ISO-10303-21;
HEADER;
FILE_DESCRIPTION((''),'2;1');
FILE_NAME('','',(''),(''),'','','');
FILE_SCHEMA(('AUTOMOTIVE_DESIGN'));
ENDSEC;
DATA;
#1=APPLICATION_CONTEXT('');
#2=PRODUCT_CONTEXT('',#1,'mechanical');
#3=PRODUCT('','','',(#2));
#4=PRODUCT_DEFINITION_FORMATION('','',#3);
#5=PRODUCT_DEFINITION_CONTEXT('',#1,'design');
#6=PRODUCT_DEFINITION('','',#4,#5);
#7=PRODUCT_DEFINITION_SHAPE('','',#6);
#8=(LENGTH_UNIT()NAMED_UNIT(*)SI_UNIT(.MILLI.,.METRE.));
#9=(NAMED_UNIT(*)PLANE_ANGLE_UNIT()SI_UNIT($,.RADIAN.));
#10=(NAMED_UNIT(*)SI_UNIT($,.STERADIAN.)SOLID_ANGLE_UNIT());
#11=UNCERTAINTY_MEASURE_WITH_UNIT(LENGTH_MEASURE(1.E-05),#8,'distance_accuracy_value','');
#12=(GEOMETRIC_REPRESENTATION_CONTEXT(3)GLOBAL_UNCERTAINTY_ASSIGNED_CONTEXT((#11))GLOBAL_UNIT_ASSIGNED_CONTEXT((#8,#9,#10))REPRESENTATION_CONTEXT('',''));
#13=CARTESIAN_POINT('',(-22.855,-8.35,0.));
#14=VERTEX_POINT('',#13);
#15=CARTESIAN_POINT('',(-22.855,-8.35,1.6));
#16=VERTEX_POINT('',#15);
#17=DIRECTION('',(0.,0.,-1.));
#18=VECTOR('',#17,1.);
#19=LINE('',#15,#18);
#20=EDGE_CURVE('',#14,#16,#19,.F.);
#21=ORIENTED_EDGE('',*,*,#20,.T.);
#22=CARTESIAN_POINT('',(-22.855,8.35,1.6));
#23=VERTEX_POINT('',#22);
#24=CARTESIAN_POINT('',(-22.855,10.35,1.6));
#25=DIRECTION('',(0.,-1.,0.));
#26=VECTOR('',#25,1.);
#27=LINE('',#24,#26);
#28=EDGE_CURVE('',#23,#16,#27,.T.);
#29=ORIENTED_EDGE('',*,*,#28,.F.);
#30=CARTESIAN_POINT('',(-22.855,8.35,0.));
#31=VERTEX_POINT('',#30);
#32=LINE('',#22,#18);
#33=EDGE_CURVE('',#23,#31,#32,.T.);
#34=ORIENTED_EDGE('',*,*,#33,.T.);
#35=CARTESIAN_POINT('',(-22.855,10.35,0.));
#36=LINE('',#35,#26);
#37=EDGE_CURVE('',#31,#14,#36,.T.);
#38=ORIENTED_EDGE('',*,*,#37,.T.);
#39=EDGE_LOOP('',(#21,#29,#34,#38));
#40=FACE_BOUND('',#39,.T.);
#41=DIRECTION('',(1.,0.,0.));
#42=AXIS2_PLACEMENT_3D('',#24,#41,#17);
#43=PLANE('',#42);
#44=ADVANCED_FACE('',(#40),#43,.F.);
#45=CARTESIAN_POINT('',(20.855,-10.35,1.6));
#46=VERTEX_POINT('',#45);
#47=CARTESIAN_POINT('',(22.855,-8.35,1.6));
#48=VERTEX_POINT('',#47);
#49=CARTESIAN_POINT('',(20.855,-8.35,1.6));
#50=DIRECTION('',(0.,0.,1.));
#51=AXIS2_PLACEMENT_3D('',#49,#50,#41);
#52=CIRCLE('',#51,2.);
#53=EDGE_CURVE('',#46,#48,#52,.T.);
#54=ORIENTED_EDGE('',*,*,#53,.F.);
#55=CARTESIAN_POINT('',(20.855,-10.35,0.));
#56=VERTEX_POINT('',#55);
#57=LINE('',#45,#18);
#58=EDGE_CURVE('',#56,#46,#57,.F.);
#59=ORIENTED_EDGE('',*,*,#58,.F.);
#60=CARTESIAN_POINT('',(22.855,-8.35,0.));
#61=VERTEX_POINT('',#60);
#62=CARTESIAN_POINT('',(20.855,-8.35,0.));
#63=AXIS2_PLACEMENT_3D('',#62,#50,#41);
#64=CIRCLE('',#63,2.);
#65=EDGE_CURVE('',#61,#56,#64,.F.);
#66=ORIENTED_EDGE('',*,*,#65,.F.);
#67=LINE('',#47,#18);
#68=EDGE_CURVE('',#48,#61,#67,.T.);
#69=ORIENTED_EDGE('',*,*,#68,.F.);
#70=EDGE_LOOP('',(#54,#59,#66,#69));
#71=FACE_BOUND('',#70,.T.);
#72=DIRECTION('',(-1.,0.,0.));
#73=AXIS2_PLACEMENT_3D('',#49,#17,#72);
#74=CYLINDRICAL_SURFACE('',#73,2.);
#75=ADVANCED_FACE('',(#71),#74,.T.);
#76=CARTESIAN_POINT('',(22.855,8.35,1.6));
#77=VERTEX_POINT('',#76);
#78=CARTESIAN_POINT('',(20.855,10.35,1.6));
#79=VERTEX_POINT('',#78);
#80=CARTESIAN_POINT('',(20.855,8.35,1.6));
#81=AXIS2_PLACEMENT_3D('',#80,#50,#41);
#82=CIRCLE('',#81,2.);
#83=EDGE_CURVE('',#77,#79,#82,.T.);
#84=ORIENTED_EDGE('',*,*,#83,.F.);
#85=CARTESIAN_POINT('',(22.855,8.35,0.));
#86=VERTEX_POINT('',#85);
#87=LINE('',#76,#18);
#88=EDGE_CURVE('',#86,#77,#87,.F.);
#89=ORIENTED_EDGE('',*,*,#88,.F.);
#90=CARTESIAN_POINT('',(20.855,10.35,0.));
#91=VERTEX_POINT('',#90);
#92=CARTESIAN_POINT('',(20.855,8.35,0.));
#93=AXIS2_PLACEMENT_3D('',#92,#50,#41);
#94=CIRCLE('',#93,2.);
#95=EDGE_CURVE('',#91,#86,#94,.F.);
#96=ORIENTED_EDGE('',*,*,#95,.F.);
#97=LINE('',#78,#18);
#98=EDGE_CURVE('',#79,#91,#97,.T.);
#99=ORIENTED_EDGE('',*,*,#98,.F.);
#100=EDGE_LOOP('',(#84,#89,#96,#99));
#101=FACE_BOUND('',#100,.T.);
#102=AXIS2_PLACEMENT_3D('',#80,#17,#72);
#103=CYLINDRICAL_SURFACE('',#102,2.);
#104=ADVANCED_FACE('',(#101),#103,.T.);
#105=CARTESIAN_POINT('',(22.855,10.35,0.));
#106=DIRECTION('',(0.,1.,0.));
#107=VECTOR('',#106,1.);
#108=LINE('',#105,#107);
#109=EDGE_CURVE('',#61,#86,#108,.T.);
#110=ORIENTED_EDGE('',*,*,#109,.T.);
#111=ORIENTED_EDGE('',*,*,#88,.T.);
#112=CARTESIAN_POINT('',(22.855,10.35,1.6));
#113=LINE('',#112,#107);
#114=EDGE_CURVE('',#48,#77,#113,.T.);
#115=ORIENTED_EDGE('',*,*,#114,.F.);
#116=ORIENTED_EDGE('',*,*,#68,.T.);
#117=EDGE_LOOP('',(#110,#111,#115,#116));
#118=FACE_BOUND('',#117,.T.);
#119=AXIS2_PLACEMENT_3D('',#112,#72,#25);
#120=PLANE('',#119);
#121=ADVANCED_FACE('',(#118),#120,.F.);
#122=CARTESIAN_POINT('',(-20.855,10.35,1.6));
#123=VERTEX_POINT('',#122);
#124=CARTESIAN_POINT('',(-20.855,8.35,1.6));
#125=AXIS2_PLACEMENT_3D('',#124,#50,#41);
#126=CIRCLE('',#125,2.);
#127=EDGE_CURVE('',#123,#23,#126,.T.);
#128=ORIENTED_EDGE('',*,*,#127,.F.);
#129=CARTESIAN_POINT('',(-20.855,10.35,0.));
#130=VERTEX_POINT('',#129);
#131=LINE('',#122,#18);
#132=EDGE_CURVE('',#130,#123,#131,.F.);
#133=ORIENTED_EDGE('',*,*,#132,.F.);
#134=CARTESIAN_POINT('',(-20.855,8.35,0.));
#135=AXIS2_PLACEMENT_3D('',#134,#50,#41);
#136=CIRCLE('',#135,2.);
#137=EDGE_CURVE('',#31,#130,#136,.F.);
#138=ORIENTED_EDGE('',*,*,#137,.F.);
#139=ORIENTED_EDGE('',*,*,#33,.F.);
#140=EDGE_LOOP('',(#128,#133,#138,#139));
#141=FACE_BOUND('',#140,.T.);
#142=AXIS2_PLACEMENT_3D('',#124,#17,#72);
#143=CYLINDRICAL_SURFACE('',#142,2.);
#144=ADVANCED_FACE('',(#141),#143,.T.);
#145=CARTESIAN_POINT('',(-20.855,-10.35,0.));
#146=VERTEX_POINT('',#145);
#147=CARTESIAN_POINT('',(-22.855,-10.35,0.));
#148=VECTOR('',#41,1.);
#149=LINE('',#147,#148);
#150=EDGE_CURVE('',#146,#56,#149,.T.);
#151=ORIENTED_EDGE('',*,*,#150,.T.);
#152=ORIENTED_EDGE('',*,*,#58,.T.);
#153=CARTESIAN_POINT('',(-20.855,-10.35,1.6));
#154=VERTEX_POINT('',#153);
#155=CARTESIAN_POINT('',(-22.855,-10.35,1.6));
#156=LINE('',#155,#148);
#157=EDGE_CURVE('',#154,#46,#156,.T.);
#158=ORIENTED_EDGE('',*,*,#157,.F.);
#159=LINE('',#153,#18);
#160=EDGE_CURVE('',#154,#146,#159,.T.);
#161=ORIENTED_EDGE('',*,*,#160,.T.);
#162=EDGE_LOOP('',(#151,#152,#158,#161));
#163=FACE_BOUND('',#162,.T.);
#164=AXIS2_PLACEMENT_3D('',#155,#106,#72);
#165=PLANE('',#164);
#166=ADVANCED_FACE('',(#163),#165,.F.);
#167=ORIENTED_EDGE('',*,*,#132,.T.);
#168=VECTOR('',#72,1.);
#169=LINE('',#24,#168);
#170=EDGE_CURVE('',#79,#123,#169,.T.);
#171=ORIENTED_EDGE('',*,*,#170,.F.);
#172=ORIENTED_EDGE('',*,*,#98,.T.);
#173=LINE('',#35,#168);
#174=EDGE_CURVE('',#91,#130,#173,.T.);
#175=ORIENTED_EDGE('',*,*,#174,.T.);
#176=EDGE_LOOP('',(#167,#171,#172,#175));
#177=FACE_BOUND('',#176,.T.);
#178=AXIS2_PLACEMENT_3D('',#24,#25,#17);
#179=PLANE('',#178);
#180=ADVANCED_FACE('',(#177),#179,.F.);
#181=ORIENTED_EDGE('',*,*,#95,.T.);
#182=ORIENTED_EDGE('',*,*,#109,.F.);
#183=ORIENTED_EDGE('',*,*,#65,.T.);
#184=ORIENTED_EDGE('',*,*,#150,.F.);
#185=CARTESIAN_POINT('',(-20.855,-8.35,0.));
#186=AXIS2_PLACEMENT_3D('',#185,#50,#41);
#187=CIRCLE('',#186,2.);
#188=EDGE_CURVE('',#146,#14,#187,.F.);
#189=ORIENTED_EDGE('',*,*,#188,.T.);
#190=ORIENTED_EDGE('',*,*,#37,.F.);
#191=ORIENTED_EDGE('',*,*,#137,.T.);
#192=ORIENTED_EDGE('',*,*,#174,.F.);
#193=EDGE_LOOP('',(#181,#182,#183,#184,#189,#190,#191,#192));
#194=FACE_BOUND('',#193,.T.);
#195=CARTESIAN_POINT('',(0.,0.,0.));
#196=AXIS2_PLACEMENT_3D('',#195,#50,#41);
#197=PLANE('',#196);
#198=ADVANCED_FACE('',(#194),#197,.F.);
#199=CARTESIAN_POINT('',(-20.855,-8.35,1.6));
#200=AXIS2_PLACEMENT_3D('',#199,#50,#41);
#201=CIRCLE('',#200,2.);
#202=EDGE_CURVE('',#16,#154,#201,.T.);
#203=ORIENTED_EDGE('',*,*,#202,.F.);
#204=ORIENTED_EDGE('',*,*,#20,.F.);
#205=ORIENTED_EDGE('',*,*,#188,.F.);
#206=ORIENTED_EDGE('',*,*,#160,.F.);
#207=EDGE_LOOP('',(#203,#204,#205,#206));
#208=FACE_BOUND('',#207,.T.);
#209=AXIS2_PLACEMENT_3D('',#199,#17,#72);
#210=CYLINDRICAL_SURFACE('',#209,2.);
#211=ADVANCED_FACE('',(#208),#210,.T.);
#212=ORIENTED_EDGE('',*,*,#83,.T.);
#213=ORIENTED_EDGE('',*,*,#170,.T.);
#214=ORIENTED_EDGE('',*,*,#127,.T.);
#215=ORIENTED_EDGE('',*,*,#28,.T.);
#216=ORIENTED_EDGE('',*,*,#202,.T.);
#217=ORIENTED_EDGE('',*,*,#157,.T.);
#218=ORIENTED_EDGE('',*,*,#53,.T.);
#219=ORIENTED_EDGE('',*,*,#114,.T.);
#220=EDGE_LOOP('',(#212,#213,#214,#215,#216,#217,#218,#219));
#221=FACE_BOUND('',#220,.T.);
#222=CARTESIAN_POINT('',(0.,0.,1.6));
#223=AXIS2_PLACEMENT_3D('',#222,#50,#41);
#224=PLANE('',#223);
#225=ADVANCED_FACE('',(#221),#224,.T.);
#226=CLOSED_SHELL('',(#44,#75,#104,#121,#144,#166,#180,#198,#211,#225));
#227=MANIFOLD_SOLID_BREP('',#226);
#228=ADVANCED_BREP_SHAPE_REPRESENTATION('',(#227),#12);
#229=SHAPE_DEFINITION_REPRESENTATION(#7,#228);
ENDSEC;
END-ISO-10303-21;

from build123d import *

# Parameters (mm, degrees)
ESQUISSE1_W        = 45.71
ESQUISSE1_H        = 20.7
BOSS_EXTRU_1_DEPTH = 1.6
CONG_1_R           = 2


with BuildPart() as part:
    # Esquisse1 → Boss.-Extru.1 (new body)
    with BuildSketch(Plane.XY):
        Rectangle(ESQUISSE1_W, ESQUISSE1_H)
    extrude(amount=BOSS_EXTRU_1_DEPTH)

    # Congé1
    cong_1_edges = [part.edges().sort_by_distance(p)[0] for p in [
        (-22.855, 10.35, 0.8),
        (22.855, 10.35, 0.8),
        (22.855, -10.35, 0.8),
        (-22.855, -10.35, 0.8),
    ]]
    fillet(cong_1_edges, radius=CONG_1_R)


solid = part.part
